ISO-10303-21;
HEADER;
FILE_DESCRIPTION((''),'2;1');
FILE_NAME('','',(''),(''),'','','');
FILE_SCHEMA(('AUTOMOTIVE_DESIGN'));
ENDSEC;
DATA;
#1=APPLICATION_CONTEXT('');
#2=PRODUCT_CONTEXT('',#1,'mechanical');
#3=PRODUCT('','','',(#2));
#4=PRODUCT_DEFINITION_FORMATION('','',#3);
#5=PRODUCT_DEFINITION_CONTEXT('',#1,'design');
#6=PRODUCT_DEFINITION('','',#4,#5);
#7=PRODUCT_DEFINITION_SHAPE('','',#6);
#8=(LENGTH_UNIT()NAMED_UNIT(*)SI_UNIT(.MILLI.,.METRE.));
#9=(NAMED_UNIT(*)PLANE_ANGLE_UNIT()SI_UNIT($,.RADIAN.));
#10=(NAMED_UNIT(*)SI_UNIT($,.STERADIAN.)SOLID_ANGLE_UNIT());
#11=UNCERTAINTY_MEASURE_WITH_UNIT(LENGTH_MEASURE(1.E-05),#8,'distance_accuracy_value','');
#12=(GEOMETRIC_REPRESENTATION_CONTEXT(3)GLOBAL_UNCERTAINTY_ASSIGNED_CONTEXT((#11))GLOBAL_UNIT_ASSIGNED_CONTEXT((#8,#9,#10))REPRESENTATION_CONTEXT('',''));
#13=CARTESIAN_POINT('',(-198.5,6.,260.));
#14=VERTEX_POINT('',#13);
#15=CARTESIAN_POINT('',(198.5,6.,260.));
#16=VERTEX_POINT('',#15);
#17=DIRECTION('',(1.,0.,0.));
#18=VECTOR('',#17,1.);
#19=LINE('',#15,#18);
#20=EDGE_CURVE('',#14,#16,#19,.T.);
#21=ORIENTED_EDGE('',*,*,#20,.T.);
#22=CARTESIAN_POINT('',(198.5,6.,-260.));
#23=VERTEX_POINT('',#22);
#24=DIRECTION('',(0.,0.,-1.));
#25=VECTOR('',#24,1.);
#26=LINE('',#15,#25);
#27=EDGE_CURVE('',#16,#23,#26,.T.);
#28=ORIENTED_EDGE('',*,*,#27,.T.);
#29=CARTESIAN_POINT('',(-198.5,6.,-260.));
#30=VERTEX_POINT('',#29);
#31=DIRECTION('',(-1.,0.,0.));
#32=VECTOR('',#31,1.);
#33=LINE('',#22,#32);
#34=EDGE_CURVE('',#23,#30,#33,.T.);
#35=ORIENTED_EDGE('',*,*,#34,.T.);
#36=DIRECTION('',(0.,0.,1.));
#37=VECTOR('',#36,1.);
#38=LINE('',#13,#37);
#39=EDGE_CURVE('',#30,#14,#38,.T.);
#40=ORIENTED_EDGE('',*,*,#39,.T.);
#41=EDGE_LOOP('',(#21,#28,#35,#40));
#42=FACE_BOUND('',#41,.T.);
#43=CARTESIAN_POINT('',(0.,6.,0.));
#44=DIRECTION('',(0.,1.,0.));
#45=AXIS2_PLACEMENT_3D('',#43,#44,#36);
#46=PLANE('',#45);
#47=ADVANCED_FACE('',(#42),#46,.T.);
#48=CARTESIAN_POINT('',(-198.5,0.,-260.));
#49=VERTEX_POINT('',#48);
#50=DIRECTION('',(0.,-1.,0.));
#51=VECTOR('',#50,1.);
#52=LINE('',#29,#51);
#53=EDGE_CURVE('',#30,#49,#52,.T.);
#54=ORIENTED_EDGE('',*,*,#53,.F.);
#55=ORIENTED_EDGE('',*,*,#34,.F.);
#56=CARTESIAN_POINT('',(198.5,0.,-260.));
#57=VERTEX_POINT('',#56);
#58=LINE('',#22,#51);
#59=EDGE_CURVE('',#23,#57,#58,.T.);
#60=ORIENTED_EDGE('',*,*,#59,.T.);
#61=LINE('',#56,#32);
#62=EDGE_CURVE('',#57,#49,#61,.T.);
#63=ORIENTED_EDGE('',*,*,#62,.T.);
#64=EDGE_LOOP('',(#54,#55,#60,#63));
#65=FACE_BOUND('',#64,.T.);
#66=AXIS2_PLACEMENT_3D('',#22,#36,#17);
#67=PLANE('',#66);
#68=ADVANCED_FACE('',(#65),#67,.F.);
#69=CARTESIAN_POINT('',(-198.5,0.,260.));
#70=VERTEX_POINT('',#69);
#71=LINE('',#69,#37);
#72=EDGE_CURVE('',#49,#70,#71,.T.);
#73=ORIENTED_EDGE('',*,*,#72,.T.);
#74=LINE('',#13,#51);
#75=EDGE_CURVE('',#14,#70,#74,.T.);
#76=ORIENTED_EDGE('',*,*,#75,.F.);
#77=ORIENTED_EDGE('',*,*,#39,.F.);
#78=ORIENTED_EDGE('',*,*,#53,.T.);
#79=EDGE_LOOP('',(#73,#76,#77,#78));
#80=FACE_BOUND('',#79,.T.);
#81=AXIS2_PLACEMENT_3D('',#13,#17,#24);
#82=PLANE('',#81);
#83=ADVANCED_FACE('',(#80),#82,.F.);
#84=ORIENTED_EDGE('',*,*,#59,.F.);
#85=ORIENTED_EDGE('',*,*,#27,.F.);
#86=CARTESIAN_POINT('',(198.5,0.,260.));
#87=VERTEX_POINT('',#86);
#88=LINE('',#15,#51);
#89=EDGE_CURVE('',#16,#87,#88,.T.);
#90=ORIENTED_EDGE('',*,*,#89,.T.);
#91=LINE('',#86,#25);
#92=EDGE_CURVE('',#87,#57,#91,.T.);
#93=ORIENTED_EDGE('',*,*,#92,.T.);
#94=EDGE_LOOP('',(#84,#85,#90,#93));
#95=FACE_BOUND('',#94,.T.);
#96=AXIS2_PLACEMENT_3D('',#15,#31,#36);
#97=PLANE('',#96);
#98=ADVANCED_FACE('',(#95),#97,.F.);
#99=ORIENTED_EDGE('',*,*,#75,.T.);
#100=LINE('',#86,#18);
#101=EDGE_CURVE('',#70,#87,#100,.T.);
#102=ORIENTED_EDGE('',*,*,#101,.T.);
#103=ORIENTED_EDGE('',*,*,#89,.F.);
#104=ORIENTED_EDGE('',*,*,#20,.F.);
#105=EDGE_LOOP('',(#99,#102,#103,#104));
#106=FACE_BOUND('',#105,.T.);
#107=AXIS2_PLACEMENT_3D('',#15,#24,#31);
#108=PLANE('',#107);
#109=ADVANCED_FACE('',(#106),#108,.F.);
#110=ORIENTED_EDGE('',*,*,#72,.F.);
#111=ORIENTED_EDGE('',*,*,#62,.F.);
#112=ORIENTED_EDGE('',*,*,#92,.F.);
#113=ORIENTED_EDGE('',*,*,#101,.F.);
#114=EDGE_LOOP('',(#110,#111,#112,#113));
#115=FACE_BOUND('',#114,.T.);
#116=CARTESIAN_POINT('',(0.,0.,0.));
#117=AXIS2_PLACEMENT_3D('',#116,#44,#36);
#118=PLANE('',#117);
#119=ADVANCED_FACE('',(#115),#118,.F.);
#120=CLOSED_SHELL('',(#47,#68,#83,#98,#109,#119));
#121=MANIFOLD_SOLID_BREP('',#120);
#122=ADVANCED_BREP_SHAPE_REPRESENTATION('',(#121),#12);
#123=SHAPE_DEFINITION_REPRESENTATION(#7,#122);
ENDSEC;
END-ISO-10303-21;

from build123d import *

# Parameters (mm, degrees)
SKETCH1_W           = 397
SKETCH1_H           = 520
BOSS_EXTRUDE1_DEPTH = 6


with BuildPart() as part:
    # Sketch1 → Boss-Extrude1 (new body)
    with BuildSketch(Plane(origin=(0, 0, 0), x_dir=(1, 0, 0), z_dir=(0, 1, 0))):
        Rectangle(SKETCH1_W, SKETCH1_H)
    extrude(amount=BOSS_EXTRUDE1_DEPTH)


solid = part.part
